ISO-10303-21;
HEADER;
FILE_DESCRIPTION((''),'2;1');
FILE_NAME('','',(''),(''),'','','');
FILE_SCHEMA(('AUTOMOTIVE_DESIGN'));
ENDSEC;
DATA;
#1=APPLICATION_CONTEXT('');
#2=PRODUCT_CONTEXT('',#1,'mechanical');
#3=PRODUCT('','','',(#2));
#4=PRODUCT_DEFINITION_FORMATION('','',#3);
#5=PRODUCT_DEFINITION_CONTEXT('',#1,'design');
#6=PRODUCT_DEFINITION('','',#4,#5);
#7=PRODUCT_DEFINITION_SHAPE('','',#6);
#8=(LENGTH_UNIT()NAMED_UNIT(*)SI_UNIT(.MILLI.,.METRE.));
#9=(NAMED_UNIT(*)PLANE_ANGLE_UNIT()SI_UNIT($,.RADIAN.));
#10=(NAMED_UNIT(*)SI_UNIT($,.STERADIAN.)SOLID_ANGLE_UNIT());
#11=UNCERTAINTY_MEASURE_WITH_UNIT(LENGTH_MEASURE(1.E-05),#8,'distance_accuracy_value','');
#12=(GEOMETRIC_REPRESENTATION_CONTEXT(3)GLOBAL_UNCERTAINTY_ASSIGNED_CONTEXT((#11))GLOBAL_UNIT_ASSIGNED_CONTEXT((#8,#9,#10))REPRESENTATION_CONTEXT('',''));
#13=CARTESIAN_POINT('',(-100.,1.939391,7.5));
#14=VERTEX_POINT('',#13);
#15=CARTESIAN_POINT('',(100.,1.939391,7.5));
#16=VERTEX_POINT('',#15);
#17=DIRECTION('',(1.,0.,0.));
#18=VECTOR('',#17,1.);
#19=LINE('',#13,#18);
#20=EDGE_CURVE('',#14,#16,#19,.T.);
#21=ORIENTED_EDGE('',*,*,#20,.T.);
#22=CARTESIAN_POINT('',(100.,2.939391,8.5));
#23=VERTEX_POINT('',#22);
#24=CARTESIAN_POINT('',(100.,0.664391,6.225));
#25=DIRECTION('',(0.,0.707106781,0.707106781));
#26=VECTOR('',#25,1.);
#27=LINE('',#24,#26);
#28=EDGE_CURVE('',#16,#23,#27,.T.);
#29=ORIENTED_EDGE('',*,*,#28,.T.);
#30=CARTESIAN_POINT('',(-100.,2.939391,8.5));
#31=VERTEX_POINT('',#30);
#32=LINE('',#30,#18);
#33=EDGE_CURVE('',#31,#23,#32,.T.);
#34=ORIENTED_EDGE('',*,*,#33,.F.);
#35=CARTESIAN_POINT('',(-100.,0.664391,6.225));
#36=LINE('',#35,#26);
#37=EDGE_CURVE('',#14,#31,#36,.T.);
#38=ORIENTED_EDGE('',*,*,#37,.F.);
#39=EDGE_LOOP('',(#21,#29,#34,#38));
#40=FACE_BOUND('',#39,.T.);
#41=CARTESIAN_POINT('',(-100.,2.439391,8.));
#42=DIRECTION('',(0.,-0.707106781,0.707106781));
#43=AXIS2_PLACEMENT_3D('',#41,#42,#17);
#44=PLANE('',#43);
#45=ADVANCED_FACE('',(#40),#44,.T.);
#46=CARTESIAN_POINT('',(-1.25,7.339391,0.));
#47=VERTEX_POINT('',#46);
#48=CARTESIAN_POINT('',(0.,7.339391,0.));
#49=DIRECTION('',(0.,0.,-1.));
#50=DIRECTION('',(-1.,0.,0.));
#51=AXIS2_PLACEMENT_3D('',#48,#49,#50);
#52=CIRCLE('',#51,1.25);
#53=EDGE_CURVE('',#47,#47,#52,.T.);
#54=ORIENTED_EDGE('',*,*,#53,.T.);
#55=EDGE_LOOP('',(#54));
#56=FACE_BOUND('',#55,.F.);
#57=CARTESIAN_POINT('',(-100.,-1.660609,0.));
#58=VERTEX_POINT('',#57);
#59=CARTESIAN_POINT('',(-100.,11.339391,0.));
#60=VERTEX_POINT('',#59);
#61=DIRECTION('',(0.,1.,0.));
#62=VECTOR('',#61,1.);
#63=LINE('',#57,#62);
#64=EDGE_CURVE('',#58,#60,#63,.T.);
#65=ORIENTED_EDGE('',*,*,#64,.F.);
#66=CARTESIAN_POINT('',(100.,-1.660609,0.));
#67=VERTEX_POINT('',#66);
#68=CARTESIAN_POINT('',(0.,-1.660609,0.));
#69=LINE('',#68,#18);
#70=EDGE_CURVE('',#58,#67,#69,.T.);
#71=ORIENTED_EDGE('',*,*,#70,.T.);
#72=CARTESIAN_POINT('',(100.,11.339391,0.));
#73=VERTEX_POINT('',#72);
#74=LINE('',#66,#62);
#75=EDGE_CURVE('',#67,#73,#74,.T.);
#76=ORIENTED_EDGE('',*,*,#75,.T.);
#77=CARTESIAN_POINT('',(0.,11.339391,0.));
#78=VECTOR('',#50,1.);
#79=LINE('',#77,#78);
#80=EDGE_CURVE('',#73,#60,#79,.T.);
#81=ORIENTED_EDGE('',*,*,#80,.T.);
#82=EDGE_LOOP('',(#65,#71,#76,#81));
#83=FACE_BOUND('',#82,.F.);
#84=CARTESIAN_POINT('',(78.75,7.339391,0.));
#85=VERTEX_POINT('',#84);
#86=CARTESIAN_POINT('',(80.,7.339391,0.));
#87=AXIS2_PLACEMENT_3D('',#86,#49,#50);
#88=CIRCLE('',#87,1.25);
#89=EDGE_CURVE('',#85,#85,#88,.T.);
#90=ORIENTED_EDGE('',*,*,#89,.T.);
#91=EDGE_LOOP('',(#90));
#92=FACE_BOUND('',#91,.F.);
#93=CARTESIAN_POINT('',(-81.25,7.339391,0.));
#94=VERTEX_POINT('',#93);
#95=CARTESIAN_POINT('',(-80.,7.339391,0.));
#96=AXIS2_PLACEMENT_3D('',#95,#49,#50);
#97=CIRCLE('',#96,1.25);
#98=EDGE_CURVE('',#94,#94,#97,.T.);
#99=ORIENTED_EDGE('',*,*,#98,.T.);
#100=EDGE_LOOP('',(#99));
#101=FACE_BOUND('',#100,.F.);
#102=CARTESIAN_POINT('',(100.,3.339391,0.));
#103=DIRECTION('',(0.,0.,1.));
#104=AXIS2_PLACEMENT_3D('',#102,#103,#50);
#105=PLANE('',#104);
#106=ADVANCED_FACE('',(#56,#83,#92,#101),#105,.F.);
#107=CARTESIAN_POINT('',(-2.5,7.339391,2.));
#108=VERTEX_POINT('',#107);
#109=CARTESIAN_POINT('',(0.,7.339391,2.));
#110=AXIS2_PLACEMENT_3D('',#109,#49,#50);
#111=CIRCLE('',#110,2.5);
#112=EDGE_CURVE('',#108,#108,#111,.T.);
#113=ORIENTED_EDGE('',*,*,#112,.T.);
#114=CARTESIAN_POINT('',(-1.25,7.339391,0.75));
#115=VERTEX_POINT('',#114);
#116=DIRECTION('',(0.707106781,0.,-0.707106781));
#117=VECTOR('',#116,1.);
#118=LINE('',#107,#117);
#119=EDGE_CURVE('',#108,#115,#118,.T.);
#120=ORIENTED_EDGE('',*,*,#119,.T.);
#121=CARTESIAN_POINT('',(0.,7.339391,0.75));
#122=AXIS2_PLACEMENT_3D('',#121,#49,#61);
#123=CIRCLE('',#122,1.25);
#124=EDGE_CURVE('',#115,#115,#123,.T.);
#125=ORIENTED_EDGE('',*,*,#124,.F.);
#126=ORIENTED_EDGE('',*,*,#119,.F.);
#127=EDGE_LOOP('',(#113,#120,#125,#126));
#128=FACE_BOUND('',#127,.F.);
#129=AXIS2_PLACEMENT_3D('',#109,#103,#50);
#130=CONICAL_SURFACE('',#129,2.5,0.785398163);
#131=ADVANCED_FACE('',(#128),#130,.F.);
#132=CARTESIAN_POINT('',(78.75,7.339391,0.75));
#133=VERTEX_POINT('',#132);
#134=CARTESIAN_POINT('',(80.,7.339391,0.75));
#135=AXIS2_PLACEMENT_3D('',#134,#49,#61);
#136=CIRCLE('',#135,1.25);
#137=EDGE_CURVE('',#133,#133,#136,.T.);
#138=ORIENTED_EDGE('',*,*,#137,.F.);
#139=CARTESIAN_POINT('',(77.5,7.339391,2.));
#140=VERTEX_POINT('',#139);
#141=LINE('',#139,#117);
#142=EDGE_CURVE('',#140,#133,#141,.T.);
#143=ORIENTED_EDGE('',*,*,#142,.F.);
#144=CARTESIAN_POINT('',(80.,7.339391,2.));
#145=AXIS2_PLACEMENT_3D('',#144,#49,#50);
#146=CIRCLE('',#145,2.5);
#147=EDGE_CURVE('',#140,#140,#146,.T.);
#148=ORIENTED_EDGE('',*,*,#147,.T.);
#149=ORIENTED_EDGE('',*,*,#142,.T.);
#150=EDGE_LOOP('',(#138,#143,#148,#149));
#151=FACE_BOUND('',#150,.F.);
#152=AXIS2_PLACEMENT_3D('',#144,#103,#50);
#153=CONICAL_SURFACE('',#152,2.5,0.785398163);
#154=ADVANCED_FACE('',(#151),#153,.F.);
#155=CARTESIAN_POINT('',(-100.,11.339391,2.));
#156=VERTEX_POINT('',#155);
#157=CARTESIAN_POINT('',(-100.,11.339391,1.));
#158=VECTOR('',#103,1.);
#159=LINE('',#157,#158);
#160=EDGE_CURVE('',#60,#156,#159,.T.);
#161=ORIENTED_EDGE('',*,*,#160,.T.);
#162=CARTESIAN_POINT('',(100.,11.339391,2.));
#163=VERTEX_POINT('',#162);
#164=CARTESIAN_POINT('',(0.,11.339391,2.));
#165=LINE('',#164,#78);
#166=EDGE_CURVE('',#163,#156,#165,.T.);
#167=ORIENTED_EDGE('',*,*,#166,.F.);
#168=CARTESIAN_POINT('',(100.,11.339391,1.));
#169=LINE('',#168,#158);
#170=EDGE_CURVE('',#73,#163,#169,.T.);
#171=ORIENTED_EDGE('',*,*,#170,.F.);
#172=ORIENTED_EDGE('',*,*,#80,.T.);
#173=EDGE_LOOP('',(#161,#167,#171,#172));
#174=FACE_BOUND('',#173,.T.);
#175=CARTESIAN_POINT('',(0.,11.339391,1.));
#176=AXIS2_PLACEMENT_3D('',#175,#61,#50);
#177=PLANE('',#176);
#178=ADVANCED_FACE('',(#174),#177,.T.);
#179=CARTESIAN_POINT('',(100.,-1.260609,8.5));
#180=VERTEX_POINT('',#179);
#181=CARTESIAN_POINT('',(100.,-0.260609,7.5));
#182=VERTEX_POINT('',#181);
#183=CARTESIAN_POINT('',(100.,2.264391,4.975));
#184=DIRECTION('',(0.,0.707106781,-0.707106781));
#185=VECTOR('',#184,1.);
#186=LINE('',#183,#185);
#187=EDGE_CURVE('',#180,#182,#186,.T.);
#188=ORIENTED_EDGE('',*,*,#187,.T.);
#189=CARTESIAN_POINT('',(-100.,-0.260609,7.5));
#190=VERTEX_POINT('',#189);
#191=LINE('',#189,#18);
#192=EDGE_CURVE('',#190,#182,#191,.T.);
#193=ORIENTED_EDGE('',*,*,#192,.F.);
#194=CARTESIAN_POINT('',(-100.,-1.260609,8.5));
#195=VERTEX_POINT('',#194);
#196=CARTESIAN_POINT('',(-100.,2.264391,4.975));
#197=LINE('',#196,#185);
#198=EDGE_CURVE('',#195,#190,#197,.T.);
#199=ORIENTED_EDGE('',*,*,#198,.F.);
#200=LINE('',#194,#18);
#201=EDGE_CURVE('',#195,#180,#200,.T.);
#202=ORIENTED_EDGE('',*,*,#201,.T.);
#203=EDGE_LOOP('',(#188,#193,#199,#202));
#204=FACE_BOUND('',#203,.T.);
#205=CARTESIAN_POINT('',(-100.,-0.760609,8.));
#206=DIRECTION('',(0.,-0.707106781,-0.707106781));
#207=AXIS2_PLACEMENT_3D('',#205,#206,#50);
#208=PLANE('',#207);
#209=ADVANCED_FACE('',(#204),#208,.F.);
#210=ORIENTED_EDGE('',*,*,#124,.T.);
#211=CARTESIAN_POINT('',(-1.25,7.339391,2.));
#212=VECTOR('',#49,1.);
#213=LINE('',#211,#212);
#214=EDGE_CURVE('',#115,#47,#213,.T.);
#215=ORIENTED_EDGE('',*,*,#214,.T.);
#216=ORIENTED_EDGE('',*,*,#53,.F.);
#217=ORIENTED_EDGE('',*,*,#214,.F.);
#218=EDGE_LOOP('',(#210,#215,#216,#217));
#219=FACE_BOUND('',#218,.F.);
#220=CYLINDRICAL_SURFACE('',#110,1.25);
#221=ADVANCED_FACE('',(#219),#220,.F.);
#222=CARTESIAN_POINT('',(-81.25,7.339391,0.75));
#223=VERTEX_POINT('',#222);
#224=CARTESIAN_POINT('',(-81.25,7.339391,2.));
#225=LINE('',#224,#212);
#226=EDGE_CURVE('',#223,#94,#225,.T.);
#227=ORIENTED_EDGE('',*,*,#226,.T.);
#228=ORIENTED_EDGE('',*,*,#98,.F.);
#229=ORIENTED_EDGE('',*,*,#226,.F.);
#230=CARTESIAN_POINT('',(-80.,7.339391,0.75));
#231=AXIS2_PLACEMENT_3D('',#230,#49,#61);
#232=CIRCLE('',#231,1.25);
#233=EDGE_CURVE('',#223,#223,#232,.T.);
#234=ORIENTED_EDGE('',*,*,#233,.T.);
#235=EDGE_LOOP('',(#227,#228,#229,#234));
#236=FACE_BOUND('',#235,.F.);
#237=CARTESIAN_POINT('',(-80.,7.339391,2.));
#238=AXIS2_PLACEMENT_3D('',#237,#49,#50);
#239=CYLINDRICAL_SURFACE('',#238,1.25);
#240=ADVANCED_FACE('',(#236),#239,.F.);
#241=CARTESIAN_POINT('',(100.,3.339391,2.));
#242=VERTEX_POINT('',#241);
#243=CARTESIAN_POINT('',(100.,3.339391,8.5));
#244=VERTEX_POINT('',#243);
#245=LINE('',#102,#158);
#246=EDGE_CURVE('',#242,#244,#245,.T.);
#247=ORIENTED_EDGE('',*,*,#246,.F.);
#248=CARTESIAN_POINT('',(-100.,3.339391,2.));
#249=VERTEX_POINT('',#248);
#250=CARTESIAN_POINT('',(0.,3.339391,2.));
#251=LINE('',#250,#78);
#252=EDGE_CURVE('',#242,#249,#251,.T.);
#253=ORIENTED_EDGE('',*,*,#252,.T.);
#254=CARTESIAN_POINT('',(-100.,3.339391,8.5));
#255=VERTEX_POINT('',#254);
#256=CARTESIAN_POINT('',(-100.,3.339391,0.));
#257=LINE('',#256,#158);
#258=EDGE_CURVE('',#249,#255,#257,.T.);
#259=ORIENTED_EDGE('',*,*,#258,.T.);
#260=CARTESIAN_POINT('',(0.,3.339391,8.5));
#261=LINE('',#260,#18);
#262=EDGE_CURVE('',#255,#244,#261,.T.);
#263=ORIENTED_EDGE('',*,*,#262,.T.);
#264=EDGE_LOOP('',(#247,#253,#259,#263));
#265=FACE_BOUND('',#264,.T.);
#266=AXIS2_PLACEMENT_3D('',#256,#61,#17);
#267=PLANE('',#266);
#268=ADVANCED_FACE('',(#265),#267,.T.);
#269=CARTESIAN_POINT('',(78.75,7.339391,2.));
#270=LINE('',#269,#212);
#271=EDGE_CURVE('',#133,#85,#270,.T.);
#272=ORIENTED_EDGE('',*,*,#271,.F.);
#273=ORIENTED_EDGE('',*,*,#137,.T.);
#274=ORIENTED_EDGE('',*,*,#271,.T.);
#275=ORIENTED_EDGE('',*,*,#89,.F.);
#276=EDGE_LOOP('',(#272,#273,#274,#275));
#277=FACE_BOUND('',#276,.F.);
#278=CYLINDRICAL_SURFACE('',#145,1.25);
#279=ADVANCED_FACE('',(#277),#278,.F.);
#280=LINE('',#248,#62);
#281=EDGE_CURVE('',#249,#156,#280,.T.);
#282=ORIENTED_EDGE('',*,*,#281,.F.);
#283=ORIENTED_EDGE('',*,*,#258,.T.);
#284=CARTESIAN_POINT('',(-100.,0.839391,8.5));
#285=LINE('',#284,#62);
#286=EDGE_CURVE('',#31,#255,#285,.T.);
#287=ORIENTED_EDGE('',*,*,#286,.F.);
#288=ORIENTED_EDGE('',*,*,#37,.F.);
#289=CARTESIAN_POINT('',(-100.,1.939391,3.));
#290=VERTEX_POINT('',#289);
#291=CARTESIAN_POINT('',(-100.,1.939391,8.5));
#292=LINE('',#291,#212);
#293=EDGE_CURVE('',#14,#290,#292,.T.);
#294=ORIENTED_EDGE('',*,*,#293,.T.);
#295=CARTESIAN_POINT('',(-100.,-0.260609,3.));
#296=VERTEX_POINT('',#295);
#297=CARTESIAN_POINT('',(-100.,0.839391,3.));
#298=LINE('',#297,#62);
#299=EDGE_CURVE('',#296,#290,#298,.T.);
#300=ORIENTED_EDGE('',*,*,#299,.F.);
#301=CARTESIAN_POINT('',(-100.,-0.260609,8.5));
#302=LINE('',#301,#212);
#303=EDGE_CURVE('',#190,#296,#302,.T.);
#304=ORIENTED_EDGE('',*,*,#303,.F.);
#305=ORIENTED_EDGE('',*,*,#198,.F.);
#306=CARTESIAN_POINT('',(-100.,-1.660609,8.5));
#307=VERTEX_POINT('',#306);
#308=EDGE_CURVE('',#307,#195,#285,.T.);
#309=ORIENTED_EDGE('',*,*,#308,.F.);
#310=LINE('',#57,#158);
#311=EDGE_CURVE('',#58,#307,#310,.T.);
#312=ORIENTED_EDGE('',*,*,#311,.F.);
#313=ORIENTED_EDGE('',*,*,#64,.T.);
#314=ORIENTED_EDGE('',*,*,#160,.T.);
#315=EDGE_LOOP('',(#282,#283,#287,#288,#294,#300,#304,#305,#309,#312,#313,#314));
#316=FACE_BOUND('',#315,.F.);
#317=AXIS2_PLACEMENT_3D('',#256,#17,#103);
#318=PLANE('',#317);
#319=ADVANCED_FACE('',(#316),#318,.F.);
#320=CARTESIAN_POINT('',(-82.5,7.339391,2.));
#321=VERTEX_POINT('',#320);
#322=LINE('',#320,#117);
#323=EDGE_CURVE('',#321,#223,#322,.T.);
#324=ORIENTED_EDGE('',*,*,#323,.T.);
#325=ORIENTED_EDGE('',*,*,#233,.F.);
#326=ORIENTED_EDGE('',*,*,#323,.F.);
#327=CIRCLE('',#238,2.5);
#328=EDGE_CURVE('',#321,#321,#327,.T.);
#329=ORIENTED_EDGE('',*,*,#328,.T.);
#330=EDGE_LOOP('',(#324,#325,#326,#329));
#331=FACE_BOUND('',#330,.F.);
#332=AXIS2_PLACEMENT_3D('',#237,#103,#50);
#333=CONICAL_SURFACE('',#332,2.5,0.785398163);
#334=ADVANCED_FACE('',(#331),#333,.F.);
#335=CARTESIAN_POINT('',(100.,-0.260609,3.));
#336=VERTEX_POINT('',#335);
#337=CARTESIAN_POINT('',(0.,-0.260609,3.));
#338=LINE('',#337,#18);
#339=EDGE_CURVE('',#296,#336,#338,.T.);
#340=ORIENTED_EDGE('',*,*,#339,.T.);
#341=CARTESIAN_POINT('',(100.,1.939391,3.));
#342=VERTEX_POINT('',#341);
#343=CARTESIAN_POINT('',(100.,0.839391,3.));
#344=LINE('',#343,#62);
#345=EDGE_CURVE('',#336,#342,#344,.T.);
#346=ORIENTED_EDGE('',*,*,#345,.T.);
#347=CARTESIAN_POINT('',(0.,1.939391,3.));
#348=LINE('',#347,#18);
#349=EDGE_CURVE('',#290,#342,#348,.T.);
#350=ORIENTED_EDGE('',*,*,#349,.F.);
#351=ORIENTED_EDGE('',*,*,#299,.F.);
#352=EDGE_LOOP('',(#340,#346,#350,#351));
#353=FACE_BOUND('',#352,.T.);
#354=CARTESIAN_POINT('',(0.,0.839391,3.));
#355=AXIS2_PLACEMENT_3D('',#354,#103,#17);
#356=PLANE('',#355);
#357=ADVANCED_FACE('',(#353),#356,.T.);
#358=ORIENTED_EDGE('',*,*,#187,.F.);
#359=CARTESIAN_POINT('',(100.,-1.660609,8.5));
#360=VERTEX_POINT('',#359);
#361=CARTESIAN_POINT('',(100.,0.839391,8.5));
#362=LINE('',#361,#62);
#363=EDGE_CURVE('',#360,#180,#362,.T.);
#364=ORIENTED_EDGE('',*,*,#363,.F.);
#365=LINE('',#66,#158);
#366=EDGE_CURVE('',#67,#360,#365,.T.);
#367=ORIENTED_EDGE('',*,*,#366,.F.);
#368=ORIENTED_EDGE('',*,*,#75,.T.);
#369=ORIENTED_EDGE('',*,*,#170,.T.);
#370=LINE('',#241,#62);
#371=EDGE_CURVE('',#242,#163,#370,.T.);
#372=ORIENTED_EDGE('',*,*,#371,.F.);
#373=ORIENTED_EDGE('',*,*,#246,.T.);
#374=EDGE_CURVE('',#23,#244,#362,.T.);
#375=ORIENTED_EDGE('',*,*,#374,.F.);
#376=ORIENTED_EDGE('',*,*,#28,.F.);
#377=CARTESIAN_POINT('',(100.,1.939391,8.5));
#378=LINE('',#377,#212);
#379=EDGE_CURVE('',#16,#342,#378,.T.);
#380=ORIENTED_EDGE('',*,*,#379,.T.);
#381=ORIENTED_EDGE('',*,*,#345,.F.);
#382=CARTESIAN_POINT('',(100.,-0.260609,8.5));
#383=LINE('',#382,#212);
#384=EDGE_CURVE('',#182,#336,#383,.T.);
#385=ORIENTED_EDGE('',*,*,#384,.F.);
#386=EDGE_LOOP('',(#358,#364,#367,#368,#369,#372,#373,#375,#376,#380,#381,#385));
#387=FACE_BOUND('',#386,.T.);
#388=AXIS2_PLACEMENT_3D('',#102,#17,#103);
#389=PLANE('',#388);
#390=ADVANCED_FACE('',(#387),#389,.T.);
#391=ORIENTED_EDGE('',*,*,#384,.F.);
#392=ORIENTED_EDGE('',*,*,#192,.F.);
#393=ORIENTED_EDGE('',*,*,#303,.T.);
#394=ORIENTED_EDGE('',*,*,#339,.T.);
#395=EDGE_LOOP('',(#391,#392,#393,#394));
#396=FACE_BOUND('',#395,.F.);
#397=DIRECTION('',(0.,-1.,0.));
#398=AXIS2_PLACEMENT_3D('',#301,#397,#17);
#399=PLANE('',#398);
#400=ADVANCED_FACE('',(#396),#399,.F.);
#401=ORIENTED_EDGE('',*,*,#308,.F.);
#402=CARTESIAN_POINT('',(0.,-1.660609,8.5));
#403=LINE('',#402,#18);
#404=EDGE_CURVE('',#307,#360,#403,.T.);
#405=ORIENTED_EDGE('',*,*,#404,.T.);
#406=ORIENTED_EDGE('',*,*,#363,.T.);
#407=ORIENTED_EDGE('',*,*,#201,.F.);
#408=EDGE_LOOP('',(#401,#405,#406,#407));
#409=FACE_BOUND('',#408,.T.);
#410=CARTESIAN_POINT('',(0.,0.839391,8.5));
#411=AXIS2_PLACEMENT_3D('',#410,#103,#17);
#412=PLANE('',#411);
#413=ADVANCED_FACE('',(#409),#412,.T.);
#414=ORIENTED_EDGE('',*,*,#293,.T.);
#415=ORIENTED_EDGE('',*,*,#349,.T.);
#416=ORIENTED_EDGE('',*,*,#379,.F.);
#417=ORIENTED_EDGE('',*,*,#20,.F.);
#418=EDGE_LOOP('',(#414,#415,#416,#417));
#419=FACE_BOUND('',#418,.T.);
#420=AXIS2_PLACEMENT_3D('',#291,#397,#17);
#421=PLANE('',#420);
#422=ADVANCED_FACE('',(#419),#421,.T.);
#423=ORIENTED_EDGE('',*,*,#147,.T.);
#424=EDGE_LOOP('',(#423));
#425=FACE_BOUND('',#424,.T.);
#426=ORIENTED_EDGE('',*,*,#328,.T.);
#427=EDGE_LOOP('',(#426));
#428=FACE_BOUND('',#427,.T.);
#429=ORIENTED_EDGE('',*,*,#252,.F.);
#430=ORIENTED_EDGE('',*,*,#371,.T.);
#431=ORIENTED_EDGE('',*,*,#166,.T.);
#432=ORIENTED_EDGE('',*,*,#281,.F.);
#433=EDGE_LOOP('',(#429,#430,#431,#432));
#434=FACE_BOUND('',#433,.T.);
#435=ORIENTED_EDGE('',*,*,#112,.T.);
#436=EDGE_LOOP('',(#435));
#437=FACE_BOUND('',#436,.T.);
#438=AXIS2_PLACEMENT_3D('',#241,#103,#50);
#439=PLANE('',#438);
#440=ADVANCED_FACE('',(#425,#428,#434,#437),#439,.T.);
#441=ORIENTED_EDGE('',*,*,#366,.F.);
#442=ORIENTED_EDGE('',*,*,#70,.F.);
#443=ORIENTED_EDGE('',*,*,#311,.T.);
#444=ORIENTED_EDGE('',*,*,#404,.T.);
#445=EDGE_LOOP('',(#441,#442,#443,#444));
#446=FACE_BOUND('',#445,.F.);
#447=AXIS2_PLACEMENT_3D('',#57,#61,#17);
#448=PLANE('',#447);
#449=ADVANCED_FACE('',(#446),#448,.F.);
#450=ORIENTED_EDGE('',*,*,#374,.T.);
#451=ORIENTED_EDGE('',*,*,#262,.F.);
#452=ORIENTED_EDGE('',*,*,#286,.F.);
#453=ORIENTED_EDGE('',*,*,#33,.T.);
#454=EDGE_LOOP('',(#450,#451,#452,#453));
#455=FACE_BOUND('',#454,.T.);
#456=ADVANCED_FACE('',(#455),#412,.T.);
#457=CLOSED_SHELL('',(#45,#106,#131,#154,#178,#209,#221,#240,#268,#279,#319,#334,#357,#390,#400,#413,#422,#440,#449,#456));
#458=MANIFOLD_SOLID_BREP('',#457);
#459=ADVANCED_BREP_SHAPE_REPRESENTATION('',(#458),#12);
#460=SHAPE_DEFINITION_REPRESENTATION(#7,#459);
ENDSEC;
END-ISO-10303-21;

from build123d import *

# Parameters (mm, degrees)
F0_W           = 200
F0_H           = 5
F1_DEPTH       = 8.5
F2_W           = 200
F2_H           = 2.2
F3_DEPTH       = 5.5
F4_W           = 200
F4_H           = 2
F5_DEPTH       = 8
F7_D           = 2.5
F7_CSINK_D     = 5
F7_CSINK_ANGLE = 90
F8_SIZE        = 1


with BuildPart() as f1:
    # F0 (on Top) → F1 (new body)
    with BuildSketch(Plane.XY):
        with Locations((0, 0.839391)):
            Rectangle(F0_W, F0_H)
    extrude(amount=F1_DEPTH)

    # F2 (on face) → F3 (cut)
    with BuildSketch(Plane.XY.offset(8.5)):
        with Locations((0, 0.839391)):
            Rectangle(F2_W, F2_H)
    extrude(amount=-F3_DEPTH, mode=Mode.SUBTRACT)

    # F4 (on face) → F5 (join)
    with BuildSketch(Plane(origin=(0, 3.339391, 0), x_dir=(-1, 0, 0), z_dir=(0, 1, 0))):
        with Locations((0, 1)):
            Rectangle(F4_W, F4_H)
    extrude(amount=F5_DEPTH)

    # F7 (through all)
    with Locations(Plane.XY.offset(2)):
        with Locations((0, 7.339391), (80, 7.339391), (-80, 7.339391)):
            CounterSinkHole(F7_D / 2, F7_CSINK_D / 2, counter_sink_angle=F7_CSINK_ANGLE)

    # F8
    f8_edges = [f1.edges().sort_by_distance(p)[0] for p in [
        (0, 1.939391, 8.5),
        (0, -0.260609, 8.5),
    ]]
    chamfer(f8_edges, length=F8_SIZE)


solid = f1.part
